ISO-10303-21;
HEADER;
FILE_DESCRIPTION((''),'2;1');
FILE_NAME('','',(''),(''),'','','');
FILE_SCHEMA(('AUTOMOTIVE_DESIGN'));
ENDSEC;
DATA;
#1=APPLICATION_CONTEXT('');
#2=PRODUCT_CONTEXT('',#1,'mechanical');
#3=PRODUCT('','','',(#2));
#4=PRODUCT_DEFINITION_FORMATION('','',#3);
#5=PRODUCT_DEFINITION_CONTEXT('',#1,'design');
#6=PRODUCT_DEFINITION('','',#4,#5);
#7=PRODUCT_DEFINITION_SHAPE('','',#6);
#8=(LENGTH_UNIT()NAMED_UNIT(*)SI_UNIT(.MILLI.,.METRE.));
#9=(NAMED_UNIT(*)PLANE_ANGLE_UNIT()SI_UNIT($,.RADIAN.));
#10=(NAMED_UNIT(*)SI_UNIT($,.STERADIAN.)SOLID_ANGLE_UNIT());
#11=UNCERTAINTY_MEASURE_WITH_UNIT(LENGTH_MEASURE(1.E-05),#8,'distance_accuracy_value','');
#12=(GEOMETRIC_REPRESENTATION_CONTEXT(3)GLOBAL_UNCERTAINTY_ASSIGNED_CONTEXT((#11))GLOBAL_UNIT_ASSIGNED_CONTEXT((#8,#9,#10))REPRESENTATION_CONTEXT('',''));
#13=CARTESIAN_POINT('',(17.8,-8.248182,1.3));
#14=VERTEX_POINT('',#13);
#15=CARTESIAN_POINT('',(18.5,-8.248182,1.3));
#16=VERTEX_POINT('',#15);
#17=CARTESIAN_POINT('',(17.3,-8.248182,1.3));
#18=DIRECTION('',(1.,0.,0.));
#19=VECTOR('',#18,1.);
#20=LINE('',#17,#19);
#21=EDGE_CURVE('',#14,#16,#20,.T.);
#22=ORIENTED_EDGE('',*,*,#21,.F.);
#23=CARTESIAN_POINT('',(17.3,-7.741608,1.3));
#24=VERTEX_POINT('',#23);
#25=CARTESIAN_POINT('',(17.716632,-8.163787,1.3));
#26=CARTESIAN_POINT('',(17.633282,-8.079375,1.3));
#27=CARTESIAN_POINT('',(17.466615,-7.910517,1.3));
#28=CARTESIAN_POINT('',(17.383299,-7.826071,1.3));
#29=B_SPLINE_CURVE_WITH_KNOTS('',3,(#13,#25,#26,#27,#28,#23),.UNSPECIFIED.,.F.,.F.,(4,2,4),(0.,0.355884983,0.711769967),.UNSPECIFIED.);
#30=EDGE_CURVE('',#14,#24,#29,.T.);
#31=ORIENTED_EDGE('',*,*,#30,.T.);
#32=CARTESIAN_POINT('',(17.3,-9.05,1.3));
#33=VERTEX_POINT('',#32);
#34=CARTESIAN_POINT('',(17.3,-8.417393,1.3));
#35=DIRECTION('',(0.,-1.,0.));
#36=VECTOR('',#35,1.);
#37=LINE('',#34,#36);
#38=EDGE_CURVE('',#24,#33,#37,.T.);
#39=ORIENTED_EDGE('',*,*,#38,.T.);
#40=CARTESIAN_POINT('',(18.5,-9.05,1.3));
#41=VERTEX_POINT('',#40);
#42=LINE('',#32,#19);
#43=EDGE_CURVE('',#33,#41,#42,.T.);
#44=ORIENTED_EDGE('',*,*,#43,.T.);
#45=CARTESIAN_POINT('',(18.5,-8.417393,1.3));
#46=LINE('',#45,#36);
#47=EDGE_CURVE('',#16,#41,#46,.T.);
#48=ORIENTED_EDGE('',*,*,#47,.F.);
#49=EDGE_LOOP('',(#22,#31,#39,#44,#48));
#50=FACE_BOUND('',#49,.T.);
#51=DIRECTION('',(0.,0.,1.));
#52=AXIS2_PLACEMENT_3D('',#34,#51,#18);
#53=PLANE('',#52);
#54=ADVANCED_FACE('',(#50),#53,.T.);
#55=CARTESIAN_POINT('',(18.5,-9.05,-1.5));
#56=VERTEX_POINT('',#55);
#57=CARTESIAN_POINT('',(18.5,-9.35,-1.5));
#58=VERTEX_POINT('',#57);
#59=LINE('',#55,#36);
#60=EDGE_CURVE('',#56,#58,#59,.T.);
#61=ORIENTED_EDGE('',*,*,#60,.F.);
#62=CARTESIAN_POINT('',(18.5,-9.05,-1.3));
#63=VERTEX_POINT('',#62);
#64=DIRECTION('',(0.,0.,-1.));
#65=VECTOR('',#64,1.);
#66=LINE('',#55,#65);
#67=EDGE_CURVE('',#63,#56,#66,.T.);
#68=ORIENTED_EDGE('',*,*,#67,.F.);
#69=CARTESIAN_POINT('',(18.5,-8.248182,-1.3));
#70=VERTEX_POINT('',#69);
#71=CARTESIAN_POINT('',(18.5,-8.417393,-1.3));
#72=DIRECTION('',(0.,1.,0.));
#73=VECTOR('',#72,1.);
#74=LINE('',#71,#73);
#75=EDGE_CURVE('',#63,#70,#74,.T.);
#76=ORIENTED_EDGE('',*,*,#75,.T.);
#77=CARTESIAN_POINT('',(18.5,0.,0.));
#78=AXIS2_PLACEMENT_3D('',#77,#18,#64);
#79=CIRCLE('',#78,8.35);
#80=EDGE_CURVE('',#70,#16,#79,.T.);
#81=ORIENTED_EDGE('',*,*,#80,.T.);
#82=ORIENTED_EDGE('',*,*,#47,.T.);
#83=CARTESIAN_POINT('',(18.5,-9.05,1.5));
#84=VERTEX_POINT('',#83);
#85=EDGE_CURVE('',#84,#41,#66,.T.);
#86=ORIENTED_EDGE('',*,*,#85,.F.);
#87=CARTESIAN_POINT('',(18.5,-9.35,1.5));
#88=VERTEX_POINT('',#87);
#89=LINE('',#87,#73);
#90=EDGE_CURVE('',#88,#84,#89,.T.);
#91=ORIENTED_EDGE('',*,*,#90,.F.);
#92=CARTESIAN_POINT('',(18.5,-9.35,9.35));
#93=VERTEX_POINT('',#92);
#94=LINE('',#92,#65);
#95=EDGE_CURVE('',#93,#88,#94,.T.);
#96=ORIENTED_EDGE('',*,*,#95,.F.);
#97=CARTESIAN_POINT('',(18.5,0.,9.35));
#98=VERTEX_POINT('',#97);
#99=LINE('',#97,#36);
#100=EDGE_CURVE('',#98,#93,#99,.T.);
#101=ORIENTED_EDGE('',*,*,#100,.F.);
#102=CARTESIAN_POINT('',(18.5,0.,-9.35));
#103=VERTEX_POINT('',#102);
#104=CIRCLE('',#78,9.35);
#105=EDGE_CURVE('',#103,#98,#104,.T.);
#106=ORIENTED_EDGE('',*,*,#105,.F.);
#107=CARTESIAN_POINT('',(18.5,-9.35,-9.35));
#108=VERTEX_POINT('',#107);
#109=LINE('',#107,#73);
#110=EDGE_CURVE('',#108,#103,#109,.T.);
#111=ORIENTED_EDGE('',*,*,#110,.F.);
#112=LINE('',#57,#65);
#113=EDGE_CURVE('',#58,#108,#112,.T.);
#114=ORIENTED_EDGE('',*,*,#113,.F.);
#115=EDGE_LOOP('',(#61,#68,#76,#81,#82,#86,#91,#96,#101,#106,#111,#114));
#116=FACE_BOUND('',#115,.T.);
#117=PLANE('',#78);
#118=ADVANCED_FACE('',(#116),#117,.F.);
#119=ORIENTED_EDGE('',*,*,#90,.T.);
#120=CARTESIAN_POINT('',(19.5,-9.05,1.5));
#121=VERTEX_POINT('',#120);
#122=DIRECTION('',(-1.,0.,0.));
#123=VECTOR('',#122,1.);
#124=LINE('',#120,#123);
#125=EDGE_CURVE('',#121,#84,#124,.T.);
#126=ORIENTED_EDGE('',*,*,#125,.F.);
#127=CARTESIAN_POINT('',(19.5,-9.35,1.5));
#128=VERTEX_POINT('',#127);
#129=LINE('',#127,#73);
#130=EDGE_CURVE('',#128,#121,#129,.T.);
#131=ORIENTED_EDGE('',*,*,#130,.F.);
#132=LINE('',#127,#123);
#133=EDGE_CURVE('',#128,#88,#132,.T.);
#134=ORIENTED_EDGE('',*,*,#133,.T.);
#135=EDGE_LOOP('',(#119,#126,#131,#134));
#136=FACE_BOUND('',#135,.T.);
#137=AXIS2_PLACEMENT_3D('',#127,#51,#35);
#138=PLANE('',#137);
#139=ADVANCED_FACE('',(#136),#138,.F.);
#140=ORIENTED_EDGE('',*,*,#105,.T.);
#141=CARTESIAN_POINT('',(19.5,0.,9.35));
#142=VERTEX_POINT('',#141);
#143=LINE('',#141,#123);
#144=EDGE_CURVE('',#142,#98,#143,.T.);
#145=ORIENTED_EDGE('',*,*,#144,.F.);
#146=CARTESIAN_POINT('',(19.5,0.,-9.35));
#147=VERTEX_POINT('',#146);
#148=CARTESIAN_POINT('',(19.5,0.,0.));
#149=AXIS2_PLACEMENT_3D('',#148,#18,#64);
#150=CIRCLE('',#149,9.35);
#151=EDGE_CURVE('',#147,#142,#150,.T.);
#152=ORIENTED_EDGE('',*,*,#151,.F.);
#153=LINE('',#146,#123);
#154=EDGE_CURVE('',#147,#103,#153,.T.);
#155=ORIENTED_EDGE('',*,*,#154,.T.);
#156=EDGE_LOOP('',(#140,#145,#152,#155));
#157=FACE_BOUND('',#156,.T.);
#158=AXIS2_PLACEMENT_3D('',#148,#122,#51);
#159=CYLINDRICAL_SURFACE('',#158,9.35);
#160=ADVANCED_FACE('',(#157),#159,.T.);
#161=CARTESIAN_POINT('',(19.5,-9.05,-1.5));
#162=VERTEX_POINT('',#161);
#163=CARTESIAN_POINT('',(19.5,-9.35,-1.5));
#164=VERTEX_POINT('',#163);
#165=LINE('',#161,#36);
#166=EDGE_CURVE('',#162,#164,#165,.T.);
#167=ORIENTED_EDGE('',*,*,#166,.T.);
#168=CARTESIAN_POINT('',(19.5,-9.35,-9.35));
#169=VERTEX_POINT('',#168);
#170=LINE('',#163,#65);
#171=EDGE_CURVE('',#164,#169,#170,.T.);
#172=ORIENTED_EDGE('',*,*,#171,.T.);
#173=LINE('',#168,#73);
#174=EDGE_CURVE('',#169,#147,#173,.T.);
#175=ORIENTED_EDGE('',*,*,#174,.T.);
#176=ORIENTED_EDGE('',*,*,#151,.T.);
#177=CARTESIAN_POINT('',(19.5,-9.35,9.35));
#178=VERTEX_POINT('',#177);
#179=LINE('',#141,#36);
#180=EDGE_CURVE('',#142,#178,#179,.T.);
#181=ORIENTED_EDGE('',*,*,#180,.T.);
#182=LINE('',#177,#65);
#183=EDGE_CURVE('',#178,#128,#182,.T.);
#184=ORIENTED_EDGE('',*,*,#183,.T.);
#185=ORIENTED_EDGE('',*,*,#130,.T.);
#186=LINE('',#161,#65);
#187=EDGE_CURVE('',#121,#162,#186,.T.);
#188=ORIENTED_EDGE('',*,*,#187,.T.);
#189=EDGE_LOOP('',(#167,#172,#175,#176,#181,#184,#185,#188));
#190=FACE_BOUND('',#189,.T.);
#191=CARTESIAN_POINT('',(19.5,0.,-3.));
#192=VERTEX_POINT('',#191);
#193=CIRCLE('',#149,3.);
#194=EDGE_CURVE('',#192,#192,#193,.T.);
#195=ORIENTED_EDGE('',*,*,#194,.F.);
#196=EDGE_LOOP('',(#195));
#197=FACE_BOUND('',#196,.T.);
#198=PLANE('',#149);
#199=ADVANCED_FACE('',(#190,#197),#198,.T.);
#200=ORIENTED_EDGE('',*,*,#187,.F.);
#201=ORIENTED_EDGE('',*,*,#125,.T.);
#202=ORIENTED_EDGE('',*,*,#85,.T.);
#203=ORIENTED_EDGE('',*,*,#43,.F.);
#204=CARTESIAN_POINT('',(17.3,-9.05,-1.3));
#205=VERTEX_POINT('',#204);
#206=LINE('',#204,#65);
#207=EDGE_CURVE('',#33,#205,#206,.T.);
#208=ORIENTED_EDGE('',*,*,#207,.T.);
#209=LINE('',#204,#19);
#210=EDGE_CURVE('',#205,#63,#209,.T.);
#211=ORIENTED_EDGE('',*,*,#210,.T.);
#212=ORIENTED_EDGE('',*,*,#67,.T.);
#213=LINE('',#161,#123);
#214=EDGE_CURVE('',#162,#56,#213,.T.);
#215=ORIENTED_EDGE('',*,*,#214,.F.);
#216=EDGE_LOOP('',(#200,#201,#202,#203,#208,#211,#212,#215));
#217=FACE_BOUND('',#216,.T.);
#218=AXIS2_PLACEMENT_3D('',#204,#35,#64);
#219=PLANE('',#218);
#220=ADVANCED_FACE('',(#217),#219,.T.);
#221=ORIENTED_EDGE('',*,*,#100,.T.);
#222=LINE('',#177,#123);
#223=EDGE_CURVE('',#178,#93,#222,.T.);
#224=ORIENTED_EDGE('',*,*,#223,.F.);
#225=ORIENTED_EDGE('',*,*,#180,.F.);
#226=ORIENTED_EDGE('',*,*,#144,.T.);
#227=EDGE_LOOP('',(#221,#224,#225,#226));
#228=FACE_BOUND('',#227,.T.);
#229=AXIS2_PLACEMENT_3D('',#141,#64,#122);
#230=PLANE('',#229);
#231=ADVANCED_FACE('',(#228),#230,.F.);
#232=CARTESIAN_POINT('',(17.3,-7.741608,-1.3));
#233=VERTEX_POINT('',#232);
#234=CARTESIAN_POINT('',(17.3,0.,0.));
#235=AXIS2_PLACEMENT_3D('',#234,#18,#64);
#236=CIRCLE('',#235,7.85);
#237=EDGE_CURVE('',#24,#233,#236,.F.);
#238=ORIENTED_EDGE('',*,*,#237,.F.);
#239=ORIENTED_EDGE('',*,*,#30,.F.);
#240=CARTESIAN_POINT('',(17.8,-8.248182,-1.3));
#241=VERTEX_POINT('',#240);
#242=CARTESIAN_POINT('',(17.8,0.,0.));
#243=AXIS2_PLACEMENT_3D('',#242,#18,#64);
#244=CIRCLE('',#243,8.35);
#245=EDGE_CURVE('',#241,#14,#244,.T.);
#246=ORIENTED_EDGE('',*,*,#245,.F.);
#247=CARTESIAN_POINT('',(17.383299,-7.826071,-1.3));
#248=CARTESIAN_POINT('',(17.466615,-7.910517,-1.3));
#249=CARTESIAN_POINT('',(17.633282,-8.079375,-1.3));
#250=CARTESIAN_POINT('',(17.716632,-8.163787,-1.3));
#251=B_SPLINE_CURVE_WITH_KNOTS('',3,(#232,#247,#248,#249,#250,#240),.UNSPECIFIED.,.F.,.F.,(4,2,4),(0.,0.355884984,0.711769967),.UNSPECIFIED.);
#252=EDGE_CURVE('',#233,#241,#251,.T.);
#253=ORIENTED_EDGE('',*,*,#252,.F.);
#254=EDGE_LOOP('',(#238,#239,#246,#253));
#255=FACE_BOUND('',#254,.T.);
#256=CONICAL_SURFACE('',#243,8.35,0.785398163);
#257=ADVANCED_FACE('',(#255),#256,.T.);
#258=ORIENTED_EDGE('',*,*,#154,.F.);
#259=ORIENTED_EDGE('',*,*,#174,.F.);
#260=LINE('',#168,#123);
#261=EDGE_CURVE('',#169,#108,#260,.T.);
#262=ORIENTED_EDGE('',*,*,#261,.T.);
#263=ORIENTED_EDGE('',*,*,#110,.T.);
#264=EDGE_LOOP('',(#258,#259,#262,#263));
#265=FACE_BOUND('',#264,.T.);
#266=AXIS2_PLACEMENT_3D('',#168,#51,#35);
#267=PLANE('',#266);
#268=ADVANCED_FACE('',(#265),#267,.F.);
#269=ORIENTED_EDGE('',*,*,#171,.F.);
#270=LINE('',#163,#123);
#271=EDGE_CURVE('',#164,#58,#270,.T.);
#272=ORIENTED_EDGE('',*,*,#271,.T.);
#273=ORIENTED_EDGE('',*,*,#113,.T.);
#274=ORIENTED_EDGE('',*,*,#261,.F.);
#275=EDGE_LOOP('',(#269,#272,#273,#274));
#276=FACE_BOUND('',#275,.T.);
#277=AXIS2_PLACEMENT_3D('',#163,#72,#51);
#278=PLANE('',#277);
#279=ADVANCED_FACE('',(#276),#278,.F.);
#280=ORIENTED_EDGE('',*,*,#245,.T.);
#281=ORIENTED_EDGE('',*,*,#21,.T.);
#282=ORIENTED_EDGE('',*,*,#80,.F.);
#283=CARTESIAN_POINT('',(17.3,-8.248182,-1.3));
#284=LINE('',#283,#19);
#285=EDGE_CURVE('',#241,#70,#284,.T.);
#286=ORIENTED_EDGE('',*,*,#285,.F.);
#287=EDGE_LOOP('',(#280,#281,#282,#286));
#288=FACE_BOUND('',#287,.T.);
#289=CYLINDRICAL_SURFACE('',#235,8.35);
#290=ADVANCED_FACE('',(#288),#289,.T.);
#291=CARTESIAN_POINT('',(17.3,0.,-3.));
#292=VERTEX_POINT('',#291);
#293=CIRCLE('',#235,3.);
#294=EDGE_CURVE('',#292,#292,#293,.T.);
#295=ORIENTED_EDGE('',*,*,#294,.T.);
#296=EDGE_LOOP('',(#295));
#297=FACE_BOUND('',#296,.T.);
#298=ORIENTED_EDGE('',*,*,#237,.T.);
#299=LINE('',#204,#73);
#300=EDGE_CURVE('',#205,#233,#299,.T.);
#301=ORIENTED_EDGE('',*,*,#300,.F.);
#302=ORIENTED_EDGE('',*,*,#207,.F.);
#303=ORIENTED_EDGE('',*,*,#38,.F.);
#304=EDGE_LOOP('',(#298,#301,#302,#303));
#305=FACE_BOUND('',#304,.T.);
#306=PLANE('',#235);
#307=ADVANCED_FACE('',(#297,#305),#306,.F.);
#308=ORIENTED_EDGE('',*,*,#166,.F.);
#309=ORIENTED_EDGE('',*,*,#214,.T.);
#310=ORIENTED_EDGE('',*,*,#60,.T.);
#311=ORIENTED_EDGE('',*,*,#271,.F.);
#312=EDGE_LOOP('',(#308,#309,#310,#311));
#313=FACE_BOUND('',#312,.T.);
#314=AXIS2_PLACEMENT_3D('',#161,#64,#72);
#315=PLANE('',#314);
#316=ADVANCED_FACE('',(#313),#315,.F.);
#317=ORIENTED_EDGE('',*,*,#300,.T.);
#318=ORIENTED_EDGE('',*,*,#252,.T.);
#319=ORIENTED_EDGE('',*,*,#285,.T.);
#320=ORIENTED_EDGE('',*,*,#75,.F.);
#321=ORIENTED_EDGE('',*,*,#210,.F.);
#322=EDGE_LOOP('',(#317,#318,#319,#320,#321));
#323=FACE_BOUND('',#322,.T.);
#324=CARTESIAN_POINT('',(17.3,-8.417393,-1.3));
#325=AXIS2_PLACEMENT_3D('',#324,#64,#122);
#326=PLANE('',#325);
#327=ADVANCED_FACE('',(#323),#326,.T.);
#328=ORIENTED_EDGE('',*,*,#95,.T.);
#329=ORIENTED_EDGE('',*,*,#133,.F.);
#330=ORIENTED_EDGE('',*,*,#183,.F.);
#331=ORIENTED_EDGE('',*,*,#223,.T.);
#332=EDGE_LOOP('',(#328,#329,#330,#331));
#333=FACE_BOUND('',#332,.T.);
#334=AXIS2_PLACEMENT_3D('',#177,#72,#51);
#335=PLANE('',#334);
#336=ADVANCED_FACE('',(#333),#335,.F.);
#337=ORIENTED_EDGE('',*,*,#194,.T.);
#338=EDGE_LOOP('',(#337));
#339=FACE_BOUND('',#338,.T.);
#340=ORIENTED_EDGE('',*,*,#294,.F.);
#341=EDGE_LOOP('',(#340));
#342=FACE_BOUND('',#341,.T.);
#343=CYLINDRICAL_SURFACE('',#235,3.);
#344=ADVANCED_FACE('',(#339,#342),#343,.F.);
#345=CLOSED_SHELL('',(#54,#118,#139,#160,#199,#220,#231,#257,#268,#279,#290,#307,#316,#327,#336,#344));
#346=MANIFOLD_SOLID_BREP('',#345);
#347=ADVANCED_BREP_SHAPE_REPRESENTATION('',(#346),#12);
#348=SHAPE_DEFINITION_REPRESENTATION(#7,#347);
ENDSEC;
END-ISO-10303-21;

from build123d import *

# Parameters (mm, degrees)
SKETCH_1_R      = 3
EXTRUDE_1_DEPTH = 1.2
CHAMFER_1_SIZE  = 0.5
EXTRUDE_START   = 1
SKETCH_2_R      = 3
EXTRUDE_2_DEPTH = 1


with BuildPart() as part:
    # Эскиз1 → Бобышка-Вытянуть1 (new body)
    with BuildSketch(Plane(origin=(18.5, 0, 0), x_dir=(0, 0, -1), z_dir=(1, 0, 0))):
        with BuildLine():
            Line((1.3, -9.05), (-1.3, -9.05))
            Line((-1.3, -9.05), (-1.3, -8.417392708))
            Line((-1.3, -8.417392708), (-1.3, -8.248181618))
            ThreePointArc((-1.3, -8.248181618), (0, 8.35), (1.3, -8.248181618))
            Line((1.3, -8.248181618), (1.3, -8.417392708))
            Line((1.3, -8.417392708), (1.3, -9.05))
        make_face()
        Circle(SKETCH_1_R, mode=Mode.SUBTRACT)
    extrude(amount=-EXTRUDE_1_DEPTH)

    # Фаска1
    chamfer_1_edges = [part.edges().sort_by_distance(p)[0] for p in [
        (17.3, 8.35, 0),
    ]]
    chamfer(chamfer_1_edges, length=CHAMFER_1_SIZE)

    # Эскиз2 → Бобышка-Вытянуть2 (add)
    with BuildSketch(Plane(origin=(18.5, 0, 0), x_dir=(0, 0, -1), z_dir=(1, 0, 0)).offset(EXTRUDE_START)):
        with BuildLine():
            Line((1.5, -9.05), (-1.5, -9.05))
            Line((-1.5, -9.05), (-1.5, -9.35))
            Line((-1.5, -9.35), (-9.35, -9.35))
            Line((-9.35, -9.35), (-9.35, 0))
            ThreePointArc((-9.35, 0), (0, 9.35), (9.35, 0))
            Line((9.35, 0), (9.35, -9.35))
            Line((9.35, -9.35), (1.5, -9.35))
            Line((1.5, -9.35), (1.5, -9.05))
        make_face()
        Circle(SKETCH_2_R, mode=Mode.SUBTRACT)
    extrude(amount=-EXTRUDE_2_DEPTH)


solid = part.part
